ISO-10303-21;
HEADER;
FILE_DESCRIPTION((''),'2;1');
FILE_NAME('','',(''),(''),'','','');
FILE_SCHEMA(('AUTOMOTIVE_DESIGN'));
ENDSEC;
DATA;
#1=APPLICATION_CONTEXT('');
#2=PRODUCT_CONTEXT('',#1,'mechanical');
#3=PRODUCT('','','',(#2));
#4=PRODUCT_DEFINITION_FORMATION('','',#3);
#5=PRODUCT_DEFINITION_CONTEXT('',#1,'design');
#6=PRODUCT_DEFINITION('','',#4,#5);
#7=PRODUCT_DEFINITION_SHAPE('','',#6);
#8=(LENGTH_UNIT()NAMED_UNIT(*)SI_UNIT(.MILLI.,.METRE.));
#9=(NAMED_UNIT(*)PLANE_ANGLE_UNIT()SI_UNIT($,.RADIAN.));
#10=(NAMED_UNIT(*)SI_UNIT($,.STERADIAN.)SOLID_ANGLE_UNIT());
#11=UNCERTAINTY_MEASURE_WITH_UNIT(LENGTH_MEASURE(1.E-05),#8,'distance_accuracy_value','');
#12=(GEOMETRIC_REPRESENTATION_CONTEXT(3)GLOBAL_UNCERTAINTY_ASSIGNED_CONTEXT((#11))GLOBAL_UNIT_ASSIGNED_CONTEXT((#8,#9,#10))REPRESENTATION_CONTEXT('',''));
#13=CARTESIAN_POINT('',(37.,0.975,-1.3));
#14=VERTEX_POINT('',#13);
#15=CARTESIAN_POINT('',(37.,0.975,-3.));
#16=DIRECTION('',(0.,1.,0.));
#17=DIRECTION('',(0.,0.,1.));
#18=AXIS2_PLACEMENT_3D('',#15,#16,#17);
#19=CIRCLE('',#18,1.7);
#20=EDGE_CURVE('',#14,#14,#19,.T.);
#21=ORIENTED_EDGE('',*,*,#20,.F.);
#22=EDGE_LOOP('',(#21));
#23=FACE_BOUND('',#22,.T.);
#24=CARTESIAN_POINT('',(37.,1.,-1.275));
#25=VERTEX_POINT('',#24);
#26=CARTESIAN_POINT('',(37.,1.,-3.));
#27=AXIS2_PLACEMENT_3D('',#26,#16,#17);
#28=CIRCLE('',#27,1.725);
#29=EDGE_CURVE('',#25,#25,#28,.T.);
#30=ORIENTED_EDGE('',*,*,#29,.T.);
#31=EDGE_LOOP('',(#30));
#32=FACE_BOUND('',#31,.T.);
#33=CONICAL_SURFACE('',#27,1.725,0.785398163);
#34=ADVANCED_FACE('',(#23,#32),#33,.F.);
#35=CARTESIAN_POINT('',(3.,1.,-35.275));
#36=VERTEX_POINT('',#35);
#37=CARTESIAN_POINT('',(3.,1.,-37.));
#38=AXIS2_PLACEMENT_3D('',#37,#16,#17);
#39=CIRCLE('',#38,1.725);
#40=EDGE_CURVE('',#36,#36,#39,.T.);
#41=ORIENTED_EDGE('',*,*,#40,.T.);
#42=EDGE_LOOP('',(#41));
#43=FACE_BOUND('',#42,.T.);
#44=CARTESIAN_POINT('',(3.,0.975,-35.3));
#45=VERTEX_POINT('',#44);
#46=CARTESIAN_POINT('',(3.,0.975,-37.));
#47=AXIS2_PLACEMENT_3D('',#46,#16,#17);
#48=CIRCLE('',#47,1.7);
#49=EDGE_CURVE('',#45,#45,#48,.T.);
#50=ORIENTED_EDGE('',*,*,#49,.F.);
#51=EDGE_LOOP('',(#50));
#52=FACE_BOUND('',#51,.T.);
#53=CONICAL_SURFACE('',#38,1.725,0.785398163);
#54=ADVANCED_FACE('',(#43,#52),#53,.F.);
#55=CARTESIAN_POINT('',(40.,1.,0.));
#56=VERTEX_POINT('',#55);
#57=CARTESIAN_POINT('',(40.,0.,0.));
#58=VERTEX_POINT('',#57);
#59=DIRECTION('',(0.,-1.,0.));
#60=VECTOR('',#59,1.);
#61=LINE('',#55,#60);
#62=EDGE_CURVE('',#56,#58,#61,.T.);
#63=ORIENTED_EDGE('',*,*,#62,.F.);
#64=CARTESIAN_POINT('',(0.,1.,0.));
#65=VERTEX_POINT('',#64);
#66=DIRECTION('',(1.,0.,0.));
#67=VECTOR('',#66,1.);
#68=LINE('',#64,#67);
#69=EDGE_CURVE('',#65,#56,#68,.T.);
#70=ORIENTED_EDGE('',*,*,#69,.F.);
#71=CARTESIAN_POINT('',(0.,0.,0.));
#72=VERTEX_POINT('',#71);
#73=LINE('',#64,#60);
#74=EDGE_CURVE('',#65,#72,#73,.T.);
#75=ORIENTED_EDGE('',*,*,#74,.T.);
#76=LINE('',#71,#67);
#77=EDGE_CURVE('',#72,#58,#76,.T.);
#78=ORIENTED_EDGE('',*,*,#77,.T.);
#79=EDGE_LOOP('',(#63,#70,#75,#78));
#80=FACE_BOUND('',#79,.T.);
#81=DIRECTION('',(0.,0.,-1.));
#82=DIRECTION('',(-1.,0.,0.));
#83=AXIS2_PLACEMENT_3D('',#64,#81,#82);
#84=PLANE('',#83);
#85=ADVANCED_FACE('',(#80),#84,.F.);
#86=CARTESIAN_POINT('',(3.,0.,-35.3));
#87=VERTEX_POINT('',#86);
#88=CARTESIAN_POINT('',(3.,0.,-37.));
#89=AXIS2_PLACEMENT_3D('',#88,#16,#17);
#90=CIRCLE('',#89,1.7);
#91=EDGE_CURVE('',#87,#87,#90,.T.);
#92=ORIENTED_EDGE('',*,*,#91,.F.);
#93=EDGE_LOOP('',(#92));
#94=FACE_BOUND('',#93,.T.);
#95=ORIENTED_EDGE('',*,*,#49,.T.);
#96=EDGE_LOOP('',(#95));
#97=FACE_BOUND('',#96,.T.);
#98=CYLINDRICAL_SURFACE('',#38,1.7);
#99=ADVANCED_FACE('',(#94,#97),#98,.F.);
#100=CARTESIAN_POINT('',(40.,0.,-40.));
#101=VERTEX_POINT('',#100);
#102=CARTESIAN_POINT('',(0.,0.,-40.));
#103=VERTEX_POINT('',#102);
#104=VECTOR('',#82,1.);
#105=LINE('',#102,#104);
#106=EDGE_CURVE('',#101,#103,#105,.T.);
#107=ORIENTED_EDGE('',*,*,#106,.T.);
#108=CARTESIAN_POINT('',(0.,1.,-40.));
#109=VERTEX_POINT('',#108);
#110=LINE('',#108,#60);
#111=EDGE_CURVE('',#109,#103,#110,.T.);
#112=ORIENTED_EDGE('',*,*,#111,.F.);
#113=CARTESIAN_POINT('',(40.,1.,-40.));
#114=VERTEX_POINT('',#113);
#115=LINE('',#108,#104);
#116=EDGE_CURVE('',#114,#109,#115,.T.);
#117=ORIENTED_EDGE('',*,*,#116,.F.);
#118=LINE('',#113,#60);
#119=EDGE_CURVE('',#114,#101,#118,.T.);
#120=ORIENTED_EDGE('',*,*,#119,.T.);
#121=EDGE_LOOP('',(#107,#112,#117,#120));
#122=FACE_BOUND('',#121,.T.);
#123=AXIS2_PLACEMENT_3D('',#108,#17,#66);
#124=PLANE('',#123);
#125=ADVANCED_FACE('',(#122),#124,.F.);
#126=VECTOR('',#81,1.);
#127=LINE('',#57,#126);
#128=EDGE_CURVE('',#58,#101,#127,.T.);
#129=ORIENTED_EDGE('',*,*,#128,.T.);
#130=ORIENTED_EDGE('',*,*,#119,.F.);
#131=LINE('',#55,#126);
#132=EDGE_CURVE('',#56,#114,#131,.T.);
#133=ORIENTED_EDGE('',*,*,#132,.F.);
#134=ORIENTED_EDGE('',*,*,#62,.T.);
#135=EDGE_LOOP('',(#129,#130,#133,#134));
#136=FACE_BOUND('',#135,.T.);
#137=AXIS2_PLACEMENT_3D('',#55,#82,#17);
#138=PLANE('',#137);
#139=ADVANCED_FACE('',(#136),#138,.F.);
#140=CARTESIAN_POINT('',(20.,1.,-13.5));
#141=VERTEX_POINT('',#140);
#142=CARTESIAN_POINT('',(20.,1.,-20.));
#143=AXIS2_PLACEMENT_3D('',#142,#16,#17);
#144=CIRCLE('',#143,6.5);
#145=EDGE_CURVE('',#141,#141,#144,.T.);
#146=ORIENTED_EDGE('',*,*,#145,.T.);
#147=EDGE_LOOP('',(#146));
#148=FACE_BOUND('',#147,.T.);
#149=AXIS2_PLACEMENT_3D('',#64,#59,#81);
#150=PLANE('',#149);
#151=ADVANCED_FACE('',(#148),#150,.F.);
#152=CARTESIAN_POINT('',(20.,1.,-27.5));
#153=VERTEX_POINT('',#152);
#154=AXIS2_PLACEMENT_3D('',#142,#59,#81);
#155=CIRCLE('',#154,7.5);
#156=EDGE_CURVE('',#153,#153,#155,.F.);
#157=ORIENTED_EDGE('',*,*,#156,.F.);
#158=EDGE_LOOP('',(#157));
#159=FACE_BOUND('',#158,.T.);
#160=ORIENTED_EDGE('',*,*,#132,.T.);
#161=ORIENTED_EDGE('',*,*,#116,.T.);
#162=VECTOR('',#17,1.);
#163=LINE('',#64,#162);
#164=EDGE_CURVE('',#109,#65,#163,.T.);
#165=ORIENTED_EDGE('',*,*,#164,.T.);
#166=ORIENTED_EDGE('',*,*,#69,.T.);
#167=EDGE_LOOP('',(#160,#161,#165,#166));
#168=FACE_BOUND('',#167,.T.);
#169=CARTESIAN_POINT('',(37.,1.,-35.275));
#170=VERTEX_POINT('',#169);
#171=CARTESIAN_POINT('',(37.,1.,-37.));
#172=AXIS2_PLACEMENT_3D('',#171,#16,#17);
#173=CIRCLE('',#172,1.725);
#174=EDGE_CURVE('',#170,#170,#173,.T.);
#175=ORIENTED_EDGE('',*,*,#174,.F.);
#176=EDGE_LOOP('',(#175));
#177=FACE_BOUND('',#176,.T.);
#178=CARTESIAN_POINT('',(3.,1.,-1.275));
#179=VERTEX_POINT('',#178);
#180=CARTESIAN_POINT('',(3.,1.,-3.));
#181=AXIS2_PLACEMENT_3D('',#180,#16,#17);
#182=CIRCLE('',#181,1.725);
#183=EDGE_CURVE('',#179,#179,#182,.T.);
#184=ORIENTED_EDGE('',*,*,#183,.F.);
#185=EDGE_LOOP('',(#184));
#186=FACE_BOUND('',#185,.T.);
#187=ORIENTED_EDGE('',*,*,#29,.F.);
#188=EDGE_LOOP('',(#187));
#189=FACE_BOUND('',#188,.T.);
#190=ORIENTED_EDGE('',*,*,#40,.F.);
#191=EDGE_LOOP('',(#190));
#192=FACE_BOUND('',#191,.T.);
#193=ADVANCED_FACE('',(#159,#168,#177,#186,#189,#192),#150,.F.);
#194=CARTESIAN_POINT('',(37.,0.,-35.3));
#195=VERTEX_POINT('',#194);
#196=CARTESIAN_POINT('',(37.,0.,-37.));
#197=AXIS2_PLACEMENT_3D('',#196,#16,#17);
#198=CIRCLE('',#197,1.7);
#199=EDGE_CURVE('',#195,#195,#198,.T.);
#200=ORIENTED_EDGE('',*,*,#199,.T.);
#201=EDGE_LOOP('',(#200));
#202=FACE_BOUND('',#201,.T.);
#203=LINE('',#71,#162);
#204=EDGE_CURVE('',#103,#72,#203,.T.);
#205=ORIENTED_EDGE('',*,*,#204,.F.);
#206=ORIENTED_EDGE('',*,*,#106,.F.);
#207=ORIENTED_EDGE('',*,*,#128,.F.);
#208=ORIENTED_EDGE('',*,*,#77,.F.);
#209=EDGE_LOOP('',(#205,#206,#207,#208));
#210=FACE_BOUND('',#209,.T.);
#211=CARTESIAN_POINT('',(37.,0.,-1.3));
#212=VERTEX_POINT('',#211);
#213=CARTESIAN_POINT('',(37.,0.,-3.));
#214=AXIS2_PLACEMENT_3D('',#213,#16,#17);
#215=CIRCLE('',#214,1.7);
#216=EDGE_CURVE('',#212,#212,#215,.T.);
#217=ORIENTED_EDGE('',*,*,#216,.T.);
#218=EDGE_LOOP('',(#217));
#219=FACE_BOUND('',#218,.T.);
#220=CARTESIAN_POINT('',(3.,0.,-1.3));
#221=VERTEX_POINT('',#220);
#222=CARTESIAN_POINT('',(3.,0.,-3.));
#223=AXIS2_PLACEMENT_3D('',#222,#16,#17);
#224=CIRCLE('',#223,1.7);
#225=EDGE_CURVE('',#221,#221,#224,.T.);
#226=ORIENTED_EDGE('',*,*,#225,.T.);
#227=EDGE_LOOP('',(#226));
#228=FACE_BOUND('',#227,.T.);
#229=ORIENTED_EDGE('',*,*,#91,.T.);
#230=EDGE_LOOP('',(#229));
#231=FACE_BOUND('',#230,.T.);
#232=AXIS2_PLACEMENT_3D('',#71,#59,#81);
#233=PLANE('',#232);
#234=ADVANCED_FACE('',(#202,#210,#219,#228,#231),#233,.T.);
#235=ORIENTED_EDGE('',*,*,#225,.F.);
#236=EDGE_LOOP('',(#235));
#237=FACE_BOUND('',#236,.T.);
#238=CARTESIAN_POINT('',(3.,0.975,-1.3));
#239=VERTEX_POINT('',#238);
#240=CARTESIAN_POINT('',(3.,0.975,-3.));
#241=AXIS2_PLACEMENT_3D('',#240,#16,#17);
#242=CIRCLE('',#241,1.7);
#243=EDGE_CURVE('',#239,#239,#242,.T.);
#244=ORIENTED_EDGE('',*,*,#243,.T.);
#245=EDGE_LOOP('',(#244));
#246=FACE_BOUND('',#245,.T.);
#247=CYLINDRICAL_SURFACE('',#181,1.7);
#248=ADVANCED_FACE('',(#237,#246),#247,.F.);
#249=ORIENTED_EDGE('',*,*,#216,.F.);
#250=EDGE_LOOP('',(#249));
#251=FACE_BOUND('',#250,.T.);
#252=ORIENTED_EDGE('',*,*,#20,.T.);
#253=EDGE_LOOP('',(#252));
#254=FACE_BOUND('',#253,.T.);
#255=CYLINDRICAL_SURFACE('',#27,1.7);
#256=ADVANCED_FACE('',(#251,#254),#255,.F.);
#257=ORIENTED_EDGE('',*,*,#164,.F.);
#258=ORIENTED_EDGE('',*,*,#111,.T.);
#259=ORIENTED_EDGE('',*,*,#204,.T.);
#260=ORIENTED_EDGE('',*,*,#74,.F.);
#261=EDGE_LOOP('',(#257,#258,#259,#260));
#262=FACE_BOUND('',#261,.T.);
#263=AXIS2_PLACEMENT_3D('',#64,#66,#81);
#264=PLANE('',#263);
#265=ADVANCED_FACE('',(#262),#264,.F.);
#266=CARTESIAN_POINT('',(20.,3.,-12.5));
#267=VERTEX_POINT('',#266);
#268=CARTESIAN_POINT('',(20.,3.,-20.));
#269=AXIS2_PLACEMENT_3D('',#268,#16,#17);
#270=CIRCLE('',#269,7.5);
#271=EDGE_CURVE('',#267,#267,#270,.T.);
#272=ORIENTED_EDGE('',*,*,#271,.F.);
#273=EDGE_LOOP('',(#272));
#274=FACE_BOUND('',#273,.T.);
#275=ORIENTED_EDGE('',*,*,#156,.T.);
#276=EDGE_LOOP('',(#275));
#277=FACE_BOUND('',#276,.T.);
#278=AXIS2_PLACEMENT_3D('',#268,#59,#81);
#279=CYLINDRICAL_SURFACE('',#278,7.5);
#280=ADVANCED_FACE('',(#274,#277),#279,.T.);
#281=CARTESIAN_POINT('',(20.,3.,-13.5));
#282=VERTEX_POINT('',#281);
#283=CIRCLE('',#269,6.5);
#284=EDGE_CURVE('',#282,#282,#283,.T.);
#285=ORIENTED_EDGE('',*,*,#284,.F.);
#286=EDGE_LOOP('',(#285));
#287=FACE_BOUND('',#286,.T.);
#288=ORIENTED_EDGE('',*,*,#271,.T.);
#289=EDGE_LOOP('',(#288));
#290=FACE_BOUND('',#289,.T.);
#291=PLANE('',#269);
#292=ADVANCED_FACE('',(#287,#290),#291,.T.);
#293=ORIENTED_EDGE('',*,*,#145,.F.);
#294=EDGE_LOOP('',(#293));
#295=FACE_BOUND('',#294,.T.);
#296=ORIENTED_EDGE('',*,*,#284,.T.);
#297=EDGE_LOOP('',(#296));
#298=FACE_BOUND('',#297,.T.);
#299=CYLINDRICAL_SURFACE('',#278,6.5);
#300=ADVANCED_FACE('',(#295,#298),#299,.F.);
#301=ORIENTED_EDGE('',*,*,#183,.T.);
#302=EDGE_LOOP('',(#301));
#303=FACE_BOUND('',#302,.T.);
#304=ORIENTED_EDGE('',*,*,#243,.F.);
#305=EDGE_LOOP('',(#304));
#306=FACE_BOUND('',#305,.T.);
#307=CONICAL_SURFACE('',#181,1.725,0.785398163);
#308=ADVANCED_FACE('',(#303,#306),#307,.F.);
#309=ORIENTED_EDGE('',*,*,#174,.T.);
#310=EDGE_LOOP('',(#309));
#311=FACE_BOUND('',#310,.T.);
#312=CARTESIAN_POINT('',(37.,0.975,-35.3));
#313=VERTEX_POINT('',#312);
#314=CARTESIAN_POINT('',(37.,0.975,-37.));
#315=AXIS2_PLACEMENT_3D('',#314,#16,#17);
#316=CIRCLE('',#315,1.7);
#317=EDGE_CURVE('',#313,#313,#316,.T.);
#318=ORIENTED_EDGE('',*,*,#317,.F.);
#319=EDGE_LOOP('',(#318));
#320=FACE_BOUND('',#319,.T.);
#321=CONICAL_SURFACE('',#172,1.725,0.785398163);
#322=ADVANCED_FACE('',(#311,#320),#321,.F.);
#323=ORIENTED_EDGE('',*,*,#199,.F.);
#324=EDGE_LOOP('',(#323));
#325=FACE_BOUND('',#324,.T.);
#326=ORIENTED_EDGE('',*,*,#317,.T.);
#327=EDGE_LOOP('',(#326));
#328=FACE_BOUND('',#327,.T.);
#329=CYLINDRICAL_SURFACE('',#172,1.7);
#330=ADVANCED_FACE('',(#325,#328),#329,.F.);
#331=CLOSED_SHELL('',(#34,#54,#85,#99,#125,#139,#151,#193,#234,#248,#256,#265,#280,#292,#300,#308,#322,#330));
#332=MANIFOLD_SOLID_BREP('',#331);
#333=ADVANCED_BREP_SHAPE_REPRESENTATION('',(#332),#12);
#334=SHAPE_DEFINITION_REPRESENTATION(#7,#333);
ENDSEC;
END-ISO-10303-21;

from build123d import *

# Parameters (mm, degrees)
SKETCH1_W                     = 40
SKETCH1_H                     = 40
BOSS_EXTRUDE1_DEPTH           = 1
SKETCH2_R                     = 7.5
SKETCH2_R_2                   = 6.5
BOSS_EXTRUDE2_DEPTH           = 2
M3_CLEARANCE_HOLE1_AT_2_COUNT = 2
M3_CLEARANCE_HOLE1_AT_2_PITCH = 34
M3_CLEARANCE_HOLE1_AT_3_COUNT = 2
M3_CLEARANCE_HOLE1_AT_3_PITCH = 48.083261121
M3_CLEARANCE_HOLE1_AT_4_COUNT = 2
M3_CLEARANCE_HOLE1_AT_4_PITCH = 34


with BuildPart() as part:
    # Sketch1 → Boss-Extrude1 (new body)
    with BuildSketch(Plane(origin=(0, 0, 0), x_dir=(1, 0, 0), z_dir=(0, 1, 0))):
        with Locations((20, 20)):
            Rectangle(SKETCH1_W, SKETCH1_H)
    extrude(amount=BOSS_EXTRUDE1_DEPTH)

    # Sketch2 → Boss-Extrude2 (add)
    with BuildSketch(Plane(origin=(0, 1, 0), x_dir=(1, 0, 0), z_dir=(0, 1, 0))):
        with Locations(Location((20, 20, 0), (0, 0, 90))):
            Circle(SKETCH2_R)
        with Locations(Location((20, 20, 0), (0, 0, 270))):
            Circle(SKETCH2_R_2, mode=Mode.SUBTRACT)
    extrude(amount=BOSS_EXTRUDE2_DEPTH)

    # Sketch4 → M3 Clearance Hole1 (revolve, cut)
    with BuildSketch(Plane(origin=(3, 1, -3), x_dir=(0, 0, 1), z_dir=(1, 0, 0))):
        Polygon((0, 0), (0, 1), (1.7, 1), (1.7, 0.025), (1.725, 0), align=None)
    m3_clearance_hole1 = revolve(axis=Axis((3, 7.35, -3), (0, -1, 0)), mode=Mode.SUBTRACT)

    # M3 Clearance Hole1 at 2: M3 Clearance Hole1 ×2
    with Locations(*[(0, 0, -i * M3_CLEARANCE_HOLE1_AT_2_PITCH) for i in range(1, M3_CLEARANCE_HOLE1_AT_2_COUNT)]):
        add(m3_clearance_hole1, mode=Mode.SUBTRACT)

    # M3 Clearance Hole1 at 3: M3 Clearance Hole1 ×2
    with Locations(*[Vector(0.7071067811865477, 0, -0.7071067811865474) * (i * M3_CLEARANCE_HOLE1_AT_3_PITCH) for i in range(1, M3_CLEARANCE_HOLE1_AT_3_COUNT)]):
        add(m3_clearance_hole1, mode=Mode.SUBTRACT)

    # M3 Clearance Hole1 at 4: M3 Clearance Hole1 ×2
    with Locations(*[(i * M3_CLEARANCE_HOLE1_AT_4_PITCH, 0, 0) for i in range(1, M3_CLEARANCE_HOLE1_AT_4_COUNT)]):
        add(m3_clearance_hole1, mode=Mode.SUBTRACT)


solid = part.part
